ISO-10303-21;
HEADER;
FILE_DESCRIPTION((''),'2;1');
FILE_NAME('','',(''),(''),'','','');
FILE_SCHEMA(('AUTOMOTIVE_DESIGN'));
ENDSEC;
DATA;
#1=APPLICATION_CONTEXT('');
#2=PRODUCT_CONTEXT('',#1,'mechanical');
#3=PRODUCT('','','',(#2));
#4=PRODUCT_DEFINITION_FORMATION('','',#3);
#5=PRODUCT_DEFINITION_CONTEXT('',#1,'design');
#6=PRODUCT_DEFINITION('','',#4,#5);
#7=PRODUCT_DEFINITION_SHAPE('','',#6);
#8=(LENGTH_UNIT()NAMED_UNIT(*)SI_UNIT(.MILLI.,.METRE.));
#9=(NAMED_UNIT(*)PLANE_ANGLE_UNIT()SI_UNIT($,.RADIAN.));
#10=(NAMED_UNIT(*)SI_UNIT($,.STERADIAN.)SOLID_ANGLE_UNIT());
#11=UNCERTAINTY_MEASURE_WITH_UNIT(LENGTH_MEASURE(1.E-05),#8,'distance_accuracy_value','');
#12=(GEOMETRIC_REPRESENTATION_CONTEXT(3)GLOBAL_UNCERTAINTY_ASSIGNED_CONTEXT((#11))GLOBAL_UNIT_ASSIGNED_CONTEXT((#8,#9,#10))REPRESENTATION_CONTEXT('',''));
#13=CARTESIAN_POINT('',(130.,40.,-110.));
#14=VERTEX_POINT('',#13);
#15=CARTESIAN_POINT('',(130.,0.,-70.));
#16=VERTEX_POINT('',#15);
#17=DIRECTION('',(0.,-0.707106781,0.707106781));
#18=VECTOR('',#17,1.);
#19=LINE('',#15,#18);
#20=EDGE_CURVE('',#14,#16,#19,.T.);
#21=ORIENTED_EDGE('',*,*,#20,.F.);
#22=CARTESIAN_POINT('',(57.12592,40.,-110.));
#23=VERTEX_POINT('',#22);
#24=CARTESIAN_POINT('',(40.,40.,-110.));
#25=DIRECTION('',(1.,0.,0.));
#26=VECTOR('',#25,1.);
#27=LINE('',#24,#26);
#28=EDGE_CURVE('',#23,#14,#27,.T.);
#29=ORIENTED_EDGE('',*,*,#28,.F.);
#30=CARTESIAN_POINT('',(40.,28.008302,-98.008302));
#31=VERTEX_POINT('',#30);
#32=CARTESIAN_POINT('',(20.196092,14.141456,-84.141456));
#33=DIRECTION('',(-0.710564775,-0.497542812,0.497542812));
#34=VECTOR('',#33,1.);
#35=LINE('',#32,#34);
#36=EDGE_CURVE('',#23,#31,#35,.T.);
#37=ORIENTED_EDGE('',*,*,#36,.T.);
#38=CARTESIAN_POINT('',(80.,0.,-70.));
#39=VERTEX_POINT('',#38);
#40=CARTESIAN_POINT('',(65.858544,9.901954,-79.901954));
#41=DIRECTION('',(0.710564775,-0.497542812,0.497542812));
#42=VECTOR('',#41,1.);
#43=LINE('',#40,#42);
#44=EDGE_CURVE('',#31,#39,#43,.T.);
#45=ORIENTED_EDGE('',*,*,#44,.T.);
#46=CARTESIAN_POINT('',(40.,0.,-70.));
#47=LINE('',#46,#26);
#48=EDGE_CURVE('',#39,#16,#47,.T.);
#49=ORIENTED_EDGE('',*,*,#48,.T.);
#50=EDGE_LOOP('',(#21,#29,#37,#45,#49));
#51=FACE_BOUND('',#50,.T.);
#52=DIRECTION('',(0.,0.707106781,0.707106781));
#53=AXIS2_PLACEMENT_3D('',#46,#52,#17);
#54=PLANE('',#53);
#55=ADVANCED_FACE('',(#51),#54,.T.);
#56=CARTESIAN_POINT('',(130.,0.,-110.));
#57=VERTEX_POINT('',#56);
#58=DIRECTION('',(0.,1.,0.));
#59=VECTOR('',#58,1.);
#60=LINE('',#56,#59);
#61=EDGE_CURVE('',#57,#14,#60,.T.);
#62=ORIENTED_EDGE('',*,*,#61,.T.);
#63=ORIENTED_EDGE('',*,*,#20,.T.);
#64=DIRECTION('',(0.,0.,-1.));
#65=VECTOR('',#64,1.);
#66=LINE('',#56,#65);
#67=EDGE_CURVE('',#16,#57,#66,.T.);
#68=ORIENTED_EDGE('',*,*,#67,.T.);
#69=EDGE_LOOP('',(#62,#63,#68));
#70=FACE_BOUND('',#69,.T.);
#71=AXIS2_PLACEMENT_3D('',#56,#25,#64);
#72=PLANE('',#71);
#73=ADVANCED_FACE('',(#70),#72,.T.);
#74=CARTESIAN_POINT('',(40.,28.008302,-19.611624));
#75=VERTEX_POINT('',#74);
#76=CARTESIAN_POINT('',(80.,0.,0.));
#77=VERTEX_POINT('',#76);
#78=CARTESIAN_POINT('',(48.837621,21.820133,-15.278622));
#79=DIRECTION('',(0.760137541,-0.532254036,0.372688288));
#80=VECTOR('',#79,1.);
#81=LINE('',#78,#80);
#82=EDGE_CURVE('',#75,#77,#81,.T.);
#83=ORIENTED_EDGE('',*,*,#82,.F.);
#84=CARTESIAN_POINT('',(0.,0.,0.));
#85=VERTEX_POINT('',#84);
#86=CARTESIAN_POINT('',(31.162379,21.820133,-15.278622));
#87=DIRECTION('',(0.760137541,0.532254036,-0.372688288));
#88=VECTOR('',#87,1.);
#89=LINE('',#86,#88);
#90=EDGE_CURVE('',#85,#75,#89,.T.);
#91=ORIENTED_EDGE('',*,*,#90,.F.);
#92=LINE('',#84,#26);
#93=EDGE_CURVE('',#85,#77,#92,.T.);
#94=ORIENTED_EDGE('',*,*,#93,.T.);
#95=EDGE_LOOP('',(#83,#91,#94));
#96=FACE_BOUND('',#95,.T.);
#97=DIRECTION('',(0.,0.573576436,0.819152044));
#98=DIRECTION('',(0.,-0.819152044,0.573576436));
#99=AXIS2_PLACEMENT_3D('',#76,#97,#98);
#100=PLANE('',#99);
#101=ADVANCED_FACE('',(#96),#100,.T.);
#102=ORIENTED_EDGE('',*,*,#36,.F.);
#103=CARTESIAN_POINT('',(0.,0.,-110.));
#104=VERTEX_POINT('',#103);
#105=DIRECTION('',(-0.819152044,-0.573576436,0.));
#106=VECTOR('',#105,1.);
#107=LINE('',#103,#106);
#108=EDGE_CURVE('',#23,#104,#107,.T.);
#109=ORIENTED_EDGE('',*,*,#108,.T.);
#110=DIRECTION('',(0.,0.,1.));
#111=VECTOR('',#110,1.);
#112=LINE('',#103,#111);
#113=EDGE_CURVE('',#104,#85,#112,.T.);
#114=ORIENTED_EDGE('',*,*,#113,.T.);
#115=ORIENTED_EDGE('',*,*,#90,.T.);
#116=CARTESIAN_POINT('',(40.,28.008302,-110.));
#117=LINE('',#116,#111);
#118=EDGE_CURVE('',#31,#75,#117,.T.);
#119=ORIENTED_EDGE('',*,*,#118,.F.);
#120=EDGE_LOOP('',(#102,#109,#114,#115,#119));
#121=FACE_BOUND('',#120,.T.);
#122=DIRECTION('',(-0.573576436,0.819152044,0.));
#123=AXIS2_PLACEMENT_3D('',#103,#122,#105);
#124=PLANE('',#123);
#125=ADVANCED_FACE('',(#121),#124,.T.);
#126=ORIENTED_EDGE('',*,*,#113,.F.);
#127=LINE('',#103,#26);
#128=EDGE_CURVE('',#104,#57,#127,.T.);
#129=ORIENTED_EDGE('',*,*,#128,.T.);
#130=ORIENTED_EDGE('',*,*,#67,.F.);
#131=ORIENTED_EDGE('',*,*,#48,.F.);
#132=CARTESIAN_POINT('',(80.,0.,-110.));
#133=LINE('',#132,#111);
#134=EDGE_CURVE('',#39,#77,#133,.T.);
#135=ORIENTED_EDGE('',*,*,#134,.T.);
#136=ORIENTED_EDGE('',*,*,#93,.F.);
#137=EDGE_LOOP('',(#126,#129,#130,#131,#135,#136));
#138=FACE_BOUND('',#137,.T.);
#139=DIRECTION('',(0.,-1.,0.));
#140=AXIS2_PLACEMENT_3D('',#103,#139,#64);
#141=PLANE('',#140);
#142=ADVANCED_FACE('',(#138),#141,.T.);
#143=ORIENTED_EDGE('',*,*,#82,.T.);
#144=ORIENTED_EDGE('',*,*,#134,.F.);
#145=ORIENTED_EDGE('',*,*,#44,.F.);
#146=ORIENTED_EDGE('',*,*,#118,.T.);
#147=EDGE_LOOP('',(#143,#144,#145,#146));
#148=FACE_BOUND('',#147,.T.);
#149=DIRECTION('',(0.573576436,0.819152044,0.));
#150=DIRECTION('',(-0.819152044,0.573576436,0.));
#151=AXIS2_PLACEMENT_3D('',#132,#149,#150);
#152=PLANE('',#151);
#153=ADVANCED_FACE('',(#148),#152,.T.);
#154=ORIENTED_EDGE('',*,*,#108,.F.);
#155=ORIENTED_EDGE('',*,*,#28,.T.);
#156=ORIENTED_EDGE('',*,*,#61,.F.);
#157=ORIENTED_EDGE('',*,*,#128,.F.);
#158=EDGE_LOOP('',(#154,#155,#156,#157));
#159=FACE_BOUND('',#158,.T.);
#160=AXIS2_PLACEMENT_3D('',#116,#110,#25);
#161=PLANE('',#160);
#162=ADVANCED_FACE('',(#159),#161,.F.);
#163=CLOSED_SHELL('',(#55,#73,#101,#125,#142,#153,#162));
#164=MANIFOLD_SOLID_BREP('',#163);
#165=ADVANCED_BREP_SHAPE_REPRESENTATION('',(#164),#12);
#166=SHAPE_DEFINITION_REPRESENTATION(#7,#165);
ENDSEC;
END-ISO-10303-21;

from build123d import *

# Parameters (mm, degrees)
EXTRUDE1_DEPTH     = 110
CUT_EXTRUDE1_DEPTH = 81
EXTRUDE2_DEPTH     = 90
SKETCH4_W          = 71.56019469
SKETCH4_H          = 34.192707118
CUT_EXTRUDE2_DEPTH = 10


with BuildPart() as part:
    # Sketch1 → Extrude1 (new body)
    with BuildSketch(Plane.XY):
        Polygon((0, 0), (80, 0), (40, 28.008301528), align=None)
    extrude(amount=-EXTRUDE1_DEPTH)

    # Sketch2 → Cut-Extrude1 (cut, through all)
    with BuildSketch(Plane(origin=(0, 0, 0), x_dir=(0, 0, -1), z_dir=(1, 0, 0))):
        Polygon((0, 0), (19.611623863, 28.008301528), (0, 28.008301528), align=None)
    extrude(amount=CUT_EXTRUDE1_DEPTH, mode=Mode.SUBTRACT)

    # Sketch3 → Extrude2 (add)
    with BuildSketch(Plane(origin=(130, 0, 0), x_dir=(0, 0, -1), z_dir=(1, 0, 0))):
        Polygon((110, 0), (70, 0), (110, 40), align=None)
    extrude(amount=-EXTRUDE2_DEPTH)

    # Sketch4 → Cut-Extrude2 (cut)
    with BuildSketch(Plane(origin=(0, 0, 0), x_dir=(-0.819152044, -0.573576436, 0), z_dir=(-0.573576436, 0.819152044, 0))):
        with Locations((-35.780097345, -92.903646441)):
            Rectangle(SKETCH4_W, SKETCH4_H)
    extrude(amount=CUT_EXTRUDE2_DEPTH, mode=Mode.SUBTRACT)


solid = part.part
